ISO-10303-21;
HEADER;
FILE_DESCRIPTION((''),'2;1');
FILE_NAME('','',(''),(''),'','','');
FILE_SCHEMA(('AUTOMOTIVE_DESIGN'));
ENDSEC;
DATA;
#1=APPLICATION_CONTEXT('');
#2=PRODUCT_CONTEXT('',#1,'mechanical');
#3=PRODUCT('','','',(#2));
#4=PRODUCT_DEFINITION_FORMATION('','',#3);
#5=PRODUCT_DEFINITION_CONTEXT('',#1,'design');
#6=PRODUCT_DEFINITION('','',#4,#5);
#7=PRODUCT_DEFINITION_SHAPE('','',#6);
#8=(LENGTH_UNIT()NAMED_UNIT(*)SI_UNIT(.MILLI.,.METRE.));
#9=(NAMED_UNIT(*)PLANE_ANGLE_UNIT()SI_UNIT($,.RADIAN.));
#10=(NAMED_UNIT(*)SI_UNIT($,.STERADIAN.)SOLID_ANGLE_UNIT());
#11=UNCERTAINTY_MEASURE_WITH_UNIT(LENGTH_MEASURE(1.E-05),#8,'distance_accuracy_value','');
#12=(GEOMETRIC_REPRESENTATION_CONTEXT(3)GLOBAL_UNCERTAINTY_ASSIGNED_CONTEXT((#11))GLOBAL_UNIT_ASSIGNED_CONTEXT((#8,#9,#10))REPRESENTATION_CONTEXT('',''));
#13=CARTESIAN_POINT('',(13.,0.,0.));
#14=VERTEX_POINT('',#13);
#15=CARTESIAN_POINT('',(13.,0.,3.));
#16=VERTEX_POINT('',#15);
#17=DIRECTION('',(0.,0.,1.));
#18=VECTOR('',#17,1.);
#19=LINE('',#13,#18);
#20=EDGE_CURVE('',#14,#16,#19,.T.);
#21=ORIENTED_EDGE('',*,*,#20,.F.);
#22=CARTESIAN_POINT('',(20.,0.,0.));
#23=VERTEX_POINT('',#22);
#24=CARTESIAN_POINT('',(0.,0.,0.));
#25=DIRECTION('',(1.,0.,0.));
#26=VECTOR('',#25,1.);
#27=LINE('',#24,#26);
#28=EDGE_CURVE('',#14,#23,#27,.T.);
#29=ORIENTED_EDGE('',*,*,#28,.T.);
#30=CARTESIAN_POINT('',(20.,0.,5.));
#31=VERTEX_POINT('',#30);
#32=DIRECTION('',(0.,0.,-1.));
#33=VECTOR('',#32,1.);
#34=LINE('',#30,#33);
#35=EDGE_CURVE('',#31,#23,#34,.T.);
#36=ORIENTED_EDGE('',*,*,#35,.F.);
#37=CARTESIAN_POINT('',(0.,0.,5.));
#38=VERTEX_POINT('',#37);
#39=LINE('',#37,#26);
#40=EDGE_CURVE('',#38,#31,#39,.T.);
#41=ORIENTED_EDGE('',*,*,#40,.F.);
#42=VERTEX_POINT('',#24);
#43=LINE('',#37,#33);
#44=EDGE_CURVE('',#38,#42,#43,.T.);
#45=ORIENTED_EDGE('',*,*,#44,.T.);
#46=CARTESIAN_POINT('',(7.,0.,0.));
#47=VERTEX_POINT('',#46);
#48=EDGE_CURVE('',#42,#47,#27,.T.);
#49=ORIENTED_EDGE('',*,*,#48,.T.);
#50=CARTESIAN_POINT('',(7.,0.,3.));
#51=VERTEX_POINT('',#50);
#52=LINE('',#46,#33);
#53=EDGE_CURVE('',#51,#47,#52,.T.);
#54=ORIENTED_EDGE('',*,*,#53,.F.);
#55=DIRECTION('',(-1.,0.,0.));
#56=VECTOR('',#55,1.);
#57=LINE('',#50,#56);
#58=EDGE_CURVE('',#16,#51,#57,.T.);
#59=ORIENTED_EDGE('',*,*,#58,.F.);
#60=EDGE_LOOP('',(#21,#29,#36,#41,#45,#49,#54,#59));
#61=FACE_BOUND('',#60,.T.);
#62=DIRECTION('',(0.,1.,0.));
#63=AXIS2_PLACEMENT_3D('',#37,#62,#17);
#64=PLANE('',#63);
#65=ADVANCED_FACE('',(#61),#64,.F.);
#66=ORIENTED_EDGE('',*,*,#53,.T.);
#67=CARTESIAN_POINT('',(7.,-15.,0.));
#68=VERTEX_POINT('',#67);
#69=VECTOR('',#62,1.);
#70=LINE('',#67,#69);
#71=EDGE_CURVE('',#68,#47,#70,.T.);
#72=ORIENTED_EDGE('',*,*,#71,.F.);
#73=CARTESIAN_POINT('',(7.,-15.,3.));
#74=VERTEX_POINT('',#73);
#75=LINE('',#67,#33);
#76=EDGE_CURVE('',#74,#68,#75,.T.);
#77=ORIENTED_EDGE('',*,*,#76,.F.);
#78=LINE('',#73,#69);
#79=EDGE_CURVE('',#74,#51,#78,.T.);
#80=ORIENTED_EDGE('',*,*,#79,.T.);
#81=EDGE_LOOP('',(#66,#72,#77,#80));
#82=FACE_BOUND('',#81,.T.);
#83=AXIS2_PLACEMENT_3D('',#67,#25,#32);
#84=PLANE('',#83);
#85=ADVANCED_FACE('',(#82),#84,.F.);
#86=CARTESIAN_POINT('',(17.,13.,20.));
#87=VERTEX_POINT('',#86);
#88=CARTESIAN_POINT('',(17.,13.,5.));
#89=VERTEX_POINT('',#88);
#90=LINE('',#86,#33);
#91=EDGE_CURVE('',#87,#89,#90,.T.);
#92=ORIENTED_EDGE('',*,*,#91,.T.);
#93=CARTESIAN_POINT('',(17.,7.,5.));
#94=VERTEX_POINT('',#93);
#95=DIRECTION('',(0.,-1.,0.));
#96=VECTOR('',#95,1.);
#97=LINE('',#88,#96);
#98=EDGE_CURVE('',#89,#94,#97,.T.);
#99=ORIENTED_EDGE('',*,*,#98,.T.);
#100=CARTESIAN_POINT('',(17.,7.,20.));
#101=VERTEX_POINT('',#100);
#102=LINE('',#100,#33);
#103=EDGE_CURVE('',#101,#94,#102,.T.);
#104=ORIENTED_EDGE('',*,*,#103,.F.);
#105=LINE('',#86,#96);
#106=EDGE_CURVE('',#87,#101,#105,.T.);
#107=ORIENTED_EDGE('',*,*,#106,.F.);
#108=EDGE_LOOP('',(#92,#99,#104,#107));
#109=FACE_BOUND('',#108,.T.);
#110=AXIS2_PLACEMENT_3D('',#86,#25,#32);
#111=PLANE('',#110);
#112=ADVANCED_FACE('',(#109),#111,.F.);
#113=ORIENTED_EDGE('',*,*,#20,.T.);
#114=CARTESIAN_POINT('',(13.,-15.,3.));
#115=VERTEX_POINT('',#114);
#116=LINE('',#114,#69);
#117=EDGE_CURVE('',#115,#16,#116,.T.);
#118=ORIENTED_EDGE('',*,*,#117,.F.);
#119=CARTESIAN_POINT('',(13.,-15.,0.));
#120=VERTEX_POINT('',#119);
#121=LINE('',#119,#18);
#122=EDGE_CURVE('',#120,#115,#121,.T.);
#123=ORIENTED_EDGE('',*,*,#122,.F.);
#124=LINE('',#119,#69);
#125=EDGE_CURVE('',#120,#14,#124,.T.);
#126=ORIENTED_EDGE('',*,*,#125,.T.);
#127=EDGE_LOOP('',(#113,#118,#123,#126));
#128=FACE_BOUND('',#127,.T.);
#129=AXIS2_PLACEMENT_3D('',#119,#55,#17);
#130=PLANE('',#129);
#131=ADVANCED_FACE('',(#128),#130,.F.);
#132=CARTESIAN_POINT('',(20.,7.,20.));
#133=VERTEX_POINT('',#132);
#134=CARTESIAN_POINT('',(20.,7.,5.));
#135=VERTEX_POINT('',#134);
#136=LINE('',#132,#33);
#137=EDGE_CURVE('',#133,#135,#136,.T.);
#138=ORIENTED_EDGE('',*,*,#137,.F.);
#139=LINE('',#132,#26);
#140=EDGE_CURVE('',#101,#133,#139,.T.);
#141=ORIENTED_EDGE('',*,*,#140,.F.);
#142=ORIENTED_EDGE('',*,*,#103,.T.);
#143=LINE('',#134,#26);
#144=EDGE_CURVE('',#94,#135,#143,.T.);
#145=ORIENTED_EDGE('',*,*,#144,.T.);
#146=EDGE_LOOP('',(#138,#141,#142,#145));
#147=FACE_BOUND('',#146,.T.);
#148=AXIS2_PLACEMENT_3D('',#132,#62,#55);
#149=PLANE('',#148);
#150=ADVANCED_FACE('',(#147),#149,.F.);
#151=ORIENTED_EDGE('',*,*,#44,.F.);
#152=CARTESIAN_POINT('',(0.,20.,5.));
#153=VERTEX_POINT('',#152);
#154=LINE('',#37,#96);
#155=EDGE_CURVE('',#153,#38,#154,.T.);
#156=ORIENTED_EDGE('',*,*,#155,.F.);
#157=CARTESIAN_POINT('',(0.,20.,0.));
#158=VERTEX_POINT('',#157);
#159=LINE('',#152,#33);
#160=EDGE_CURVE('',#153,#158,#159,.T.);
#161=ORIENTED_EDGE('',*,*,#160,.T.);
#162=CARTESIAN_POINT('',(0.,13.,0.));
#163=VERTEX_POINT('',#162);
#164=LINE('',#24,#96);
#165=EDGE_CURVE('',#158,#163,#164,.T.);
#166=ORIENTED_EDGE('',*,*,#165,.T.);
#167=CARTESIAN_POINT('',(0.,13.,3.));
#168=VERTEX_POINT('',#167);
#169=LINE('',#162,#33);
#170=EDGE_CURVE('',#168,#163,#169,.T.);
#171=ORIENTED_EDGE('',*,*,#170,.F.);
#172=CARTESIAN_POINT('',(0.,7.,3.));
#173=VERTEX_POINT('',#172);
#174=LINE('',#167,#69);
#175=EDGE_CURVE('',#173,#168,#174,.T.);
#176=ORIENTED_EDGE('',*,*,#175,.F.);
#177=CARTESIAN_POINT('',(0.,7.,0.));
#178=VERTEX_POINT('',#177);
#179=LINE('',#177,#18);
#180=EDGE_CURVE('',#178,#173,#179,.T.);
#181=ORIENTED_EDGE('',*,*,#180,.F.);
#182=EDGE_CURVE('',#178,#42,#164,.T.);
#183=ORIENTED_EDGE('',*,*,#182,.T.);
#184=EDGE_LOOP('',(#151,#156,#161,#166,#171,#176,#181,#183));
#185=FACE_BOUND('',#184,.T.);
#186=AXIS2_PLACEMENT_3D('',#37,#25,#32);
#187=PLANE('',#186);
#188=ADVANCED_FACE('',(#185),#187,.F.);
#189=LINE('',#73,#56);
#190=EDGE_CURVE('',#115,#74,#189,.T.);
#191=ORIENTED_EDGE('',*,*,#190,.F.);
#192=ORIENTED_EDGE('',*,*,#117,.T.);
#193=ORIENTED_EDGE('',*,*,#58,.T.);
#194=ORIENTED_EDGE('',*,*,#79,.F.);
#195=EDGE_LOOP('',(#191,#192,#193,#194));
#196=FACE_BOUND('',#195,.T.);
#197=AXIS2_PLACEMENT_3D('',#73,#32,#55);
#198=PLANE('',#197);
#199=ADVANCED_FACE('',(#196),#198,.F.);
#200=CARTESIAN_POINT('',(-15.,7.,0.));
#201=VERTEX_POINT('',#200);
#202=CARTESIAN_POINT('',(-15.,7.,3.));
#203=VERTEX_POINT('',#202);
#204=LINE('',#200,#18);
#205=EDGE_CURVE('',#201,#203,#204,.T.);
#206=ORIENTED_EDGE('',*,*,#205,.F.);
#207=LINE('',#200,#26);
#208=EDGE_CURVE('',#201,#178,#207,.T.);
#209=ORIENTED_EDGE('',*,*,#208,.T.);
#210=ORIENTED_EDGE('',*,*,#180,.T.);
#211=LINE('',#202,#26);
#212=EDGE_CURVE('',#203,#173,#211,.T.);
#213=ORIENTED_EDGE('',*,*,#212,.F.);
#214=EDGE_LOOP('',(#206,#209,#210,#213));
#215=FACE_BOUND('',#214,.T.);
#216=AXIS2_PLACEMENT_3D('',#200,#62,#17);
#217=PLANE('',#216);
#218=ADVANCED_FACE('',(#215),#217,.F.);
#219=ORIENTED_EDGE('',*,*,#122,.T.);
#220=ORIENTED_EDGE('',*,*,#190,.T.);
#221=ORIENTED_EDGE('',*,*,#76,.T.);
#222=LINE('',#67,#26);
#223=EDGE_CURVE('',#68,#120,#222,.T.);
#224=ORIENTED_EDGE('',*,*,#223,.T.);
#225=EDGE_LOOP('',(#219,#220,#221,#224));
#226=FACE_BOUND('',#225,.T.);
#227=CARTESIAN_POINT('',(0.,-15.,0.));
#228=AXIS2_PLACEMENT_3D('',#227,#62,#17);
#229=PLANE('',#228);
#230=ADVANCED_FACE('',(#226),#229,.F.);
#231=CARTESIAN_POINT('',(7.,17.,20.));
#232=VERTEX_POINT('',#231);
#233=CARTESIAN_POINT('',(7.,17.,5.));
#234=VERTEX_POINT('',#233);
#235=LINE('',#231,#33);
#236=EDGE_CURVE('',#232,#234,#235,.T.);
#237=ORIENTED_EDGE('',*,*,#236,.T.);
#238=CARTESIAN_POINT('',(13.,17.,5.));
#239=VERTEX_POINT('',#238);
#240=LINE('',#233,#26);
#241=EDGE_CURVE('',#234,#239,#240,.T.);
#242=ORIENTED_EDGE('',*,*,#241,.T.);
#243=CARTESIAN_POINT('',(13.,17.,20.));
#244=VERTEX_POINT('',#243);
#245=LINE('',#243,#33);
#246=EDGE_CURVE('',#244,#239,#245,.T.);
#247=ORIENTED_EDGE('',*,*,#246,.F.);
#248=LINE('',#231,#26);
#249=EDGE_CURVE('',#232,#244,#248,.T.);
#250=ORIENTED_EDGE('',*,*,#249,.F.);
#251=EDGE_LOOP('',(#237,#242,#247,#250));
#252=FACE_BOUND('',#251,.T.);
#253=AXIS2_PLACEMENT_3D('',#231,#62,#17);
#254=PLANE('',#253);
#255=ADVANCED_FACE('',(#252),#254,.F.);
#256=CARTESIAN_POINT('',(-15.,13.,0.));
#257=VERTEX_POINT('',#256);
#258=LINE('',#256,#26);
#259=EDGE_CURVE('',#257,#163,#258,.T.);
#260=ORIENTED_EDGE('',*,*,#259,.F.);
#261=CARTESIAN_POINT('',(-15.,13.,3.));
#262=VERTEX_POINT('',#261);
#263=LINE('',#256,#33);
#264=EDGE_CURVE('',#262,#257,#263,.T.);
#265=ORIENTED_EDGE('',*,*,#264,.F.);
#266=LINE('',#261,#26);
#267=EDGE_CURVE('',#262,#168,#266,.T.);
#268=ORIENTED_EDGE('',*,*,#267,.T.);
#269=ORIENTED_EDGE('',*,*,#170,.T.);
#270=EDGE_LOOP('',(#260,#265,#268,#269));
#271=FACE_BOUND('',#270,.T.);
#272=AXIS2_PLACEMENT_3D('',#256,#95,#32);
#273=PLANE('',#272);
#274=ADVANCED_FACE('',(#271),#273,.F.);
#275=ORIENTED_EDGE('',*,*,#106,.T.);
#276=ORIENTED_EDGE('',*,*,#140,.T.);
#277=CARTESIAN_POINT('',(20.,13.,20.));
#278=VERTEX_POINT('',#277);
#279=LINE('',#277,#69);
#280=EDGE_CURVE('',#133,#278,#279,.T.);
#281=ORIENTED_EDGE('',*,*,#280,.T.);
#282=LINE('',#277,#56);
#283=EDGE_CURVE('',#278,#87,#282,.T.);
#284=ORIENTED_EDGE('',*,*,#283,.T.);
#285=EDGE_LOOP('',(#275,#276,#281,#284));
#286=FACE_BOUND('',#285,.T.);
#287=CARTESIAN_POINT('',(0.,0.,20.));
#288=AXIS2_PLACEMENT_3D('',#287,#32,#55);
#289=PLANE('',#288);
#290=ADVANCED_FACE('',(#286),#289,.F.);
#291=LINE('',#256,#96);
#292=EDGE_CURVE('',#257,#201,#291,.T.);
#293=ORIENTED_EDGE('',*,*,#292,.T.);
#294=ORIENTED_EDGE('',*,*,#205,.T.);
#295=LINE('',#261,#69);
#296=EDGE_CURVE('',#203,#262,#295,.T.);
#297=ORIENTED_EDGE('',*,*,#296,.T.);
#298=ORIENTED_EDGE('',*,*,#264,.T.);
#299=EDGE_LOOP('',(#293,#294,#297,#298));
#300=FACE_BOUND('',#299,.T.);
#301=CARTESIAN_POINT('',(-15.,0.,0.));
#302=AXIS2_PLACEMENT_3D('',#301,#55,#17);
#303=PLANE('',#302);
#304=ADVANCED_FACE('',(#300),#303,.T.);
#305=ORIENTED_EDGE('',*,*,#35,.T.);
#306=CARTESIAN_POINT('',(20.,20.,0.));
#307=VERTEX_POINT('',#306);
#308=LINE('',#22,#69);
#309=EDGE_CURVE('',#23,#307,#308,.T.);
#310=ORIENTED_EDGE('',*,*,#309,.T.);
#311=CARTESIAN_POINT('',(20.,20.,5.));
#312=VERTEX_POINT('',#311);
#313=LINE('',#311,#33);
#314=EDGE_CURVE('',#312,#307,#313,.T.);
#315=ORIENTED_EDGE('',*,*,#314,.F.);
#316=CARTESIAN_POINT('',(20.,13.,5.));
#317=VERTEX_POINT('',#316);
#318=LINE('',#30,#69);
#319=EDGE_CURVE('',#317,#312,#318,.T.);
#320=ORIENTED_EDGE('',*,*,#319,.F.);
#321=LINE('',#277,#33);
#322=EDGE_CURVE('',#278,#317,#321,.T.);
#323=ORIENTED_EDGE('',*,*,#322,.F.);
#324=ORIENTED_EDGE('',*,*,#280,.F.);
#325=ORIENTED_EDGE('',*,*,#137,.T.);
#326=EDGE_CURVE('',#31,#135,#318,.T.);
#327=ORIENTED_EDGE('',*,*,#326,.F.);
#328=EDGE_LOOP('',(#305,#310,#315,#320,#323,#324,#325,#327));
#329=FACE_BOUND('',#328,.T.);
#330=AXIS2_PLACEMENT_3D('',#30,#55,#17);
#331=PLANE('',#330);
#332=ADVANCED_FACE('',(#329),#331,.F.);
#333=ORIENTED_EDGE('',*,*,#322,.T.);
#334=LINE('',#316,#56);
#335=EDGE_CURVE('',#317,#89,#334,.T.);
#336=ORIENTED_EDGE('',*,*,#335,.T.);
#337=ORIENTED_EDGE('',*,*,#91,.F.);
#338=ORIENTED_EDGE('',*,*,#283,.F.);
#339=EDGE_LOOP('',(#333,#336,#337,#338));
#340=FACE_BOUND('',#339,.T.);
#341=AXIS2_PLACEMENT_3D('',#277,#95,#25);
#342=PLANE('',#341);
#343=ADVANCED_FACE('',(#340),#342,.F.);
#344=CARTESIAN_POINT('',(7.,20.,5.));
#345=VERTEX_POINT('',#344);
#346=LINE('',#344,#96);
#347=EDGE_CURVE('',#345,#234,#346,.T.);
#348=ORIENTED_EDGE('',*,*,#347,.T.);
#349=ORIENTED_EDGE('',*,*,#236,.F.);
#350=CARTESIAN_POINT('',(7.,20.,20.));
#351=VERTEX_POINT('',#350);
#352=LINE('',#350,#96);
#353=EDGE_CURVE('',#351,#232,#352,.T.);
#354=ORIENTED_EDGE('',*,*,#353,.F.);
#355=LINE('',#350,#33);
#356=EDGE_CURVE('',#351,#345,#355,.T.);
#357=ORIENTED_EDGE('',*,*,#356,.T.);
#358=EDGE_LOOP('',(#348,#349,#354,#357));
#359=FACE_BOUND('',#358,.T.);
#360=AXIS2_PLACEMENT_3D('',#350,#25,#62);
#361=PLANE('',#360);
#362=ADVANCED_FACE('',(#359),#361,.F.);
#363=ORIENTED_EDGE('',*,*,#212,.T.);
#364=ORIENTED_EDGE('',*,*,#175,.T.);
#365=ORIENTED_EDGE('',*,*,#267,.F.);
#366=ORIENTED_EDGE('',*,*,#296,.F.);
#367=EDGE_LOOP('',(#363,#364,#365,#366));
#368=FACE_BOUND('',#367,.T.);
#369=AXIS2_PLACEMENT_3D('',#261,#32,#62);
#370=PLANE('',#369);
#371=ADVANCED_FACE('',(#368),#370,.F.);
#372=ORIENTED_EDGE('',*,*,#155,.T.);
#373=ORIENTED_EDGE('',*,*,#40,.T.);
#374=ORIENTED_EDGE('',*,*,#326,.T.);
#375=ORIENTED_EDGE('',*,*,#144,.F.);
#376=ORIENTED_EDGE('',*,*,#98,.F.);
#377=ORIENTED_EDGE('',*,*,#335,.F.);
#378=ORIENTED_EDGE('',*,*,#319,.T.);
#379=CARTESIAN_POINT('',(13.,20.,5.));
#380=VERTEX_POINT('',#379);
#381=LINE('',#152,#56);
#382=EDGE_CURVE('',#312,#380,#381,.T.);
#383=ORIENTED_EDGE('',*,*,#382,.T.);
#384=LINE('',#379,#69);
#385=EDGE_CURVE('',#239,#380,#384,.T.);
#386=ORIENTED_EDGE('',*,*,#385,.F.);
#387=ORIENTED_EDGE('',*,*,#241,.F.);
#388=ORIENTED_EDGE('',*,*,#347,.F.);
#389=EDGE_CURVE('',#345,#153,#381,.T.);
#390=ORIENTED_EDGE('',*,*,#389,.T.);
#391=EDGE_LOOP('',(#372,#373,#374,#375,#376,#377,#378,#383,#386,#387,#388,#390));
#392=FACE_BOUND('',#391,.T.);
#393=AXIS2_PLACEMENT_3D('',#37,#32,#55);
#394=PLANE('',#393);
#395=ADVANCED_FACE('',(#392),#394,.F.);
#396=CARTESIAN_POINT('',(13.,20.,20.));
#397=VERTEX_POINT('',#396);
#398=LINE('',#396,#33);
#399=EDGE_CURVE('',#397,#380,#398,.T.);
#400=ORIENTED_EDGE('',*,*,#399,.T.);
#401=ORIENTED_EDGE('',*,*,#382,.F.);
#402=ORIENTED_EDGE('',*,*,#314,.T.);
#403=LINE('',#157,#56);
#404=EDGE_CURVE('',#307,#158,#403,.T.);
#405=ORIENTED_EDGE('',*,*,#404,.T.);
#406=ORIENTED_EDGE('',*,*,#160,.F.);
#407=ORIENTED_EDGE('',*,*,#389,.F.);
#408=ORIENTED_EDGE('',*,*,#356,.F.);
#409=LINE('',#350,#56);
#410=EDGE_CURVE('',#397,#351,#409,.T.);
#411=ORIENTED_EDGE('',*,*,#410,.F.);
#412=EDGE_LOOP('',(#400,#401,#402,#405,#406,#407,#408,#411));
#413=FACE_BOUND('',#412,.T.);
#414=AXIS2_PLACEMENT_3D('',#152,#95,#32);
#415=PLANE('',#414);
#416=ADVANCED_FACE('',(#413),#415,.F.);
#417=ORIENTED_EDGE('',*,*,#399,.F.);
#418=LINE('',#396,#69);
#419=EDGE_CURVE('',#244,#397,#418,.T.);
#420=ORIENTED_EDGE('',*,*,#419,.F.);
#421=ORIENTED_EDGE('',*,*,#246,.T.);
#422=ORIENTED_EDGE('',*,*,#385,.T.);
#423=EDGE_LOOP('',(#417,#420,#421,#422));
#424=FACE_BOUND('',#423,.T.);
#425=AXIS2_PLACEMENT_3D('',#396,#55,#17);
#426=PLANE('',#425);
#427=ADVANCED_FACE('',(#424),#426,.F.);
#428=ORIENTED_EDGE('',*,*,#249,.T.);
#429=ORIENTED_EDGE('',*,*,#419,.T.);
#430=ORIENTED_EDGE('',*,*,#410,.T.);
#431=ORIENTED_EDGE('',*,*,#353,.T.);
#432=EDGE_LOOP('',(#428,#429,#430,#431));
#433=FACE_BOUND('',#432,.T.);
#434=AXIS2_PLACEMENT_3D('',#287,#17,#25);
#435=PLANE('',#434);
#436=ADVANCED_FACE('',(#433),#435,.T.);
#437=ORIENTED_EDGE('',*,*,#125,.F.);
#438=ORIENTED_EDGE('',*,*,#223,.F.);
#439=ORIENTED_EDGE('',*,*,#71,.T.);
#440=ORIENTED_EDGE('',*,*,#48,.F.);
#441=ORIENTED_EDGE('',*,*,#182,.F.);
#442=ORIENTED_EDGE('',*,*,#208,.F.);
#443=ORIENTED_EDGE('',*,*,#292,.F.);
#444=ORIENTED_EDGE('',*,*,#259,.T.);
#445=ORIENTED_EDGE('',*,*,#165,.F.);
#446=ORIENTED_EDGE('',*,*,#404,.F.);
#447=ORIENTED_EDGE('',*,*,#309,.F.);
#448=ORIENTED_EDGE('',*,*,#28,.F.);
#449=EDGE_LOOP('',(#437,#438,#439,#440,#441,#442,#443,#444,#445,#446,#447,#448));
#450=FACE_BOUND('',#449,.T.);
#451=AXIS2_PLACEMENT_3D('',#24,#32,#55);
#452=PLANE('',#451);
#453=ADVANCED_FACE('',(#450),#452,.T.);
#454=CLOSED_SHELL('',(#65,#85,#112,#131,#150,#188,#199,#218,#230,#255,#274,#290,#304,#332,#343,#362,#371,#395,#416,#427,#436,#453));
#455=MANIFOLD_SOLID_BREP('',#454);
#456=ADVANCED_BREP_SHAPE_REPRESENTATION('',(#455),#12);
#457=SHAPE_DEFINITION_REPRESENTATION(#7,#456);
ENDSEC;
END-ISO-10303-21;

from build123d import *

# Parameters (mm, degrees)
SKETCH_1_W      = 20
SKETCH_1_H      = 20
EXTRUDE_1_DEPTH = 5
SKETCH_2_W      = 6
SKETCH_2_H      = 3
SKETCH_2_W_2    = 3
SKETCH_2_H_2    = 6
EXTRUDE_2_DEPTH = 15
SKETCH_3_W      = 6
SKETCH_3_H      = 3
EXTRUDE_3_DEPTH = 15
SKETCH_4_W      = 3
SKETCH_4_H      = 6
EXTRUDE_4_DEPTH = 15


with BuildPart() as part:
    # Эскиз1 → Бобышка-Вытянуть1 (new body)
    with BuildSketch(Plane.XY):
        with Locations((10, 10)):
            Rectangle(SKETCH_1_W, SKETCH_1_H)
    extrude(amount=EXTRUDE_1_DEPTH)

    # Эскиз2 → Бобышка-Вытянуть2 (add)
    with BuildSketch(Plane.XY.offset(5)):
        with Locations((10, 18.5)):
            Rectangle(SKETCH_2_W, SKETCH_2_H)
        with Locations((18.5, 10)):
            Rectangle(SKETCH_2_W_2, SKETCH_2_H_2)
    extrude(amount=EXTRUDE_2_DEPTH)

    # Эскиз3 → Бобышка-Вытянуть3 (add)
    with BuildSketch(Plane.XZ):
        with Locations((10, 1.5)):
            Rectangle(SKETCH_3_W, SKETCH_3_H)
    extrude(amount=EXTRUDE_3_DEPTH)

    # Эскиз4 → Бобышка-Вытянуть4 (add)
    with BuildSketch(Plane.ZY):
        with Locations((1.5, 10)):
            Rectangle(SKETCH_4_W, SKETCH_4_H)
    extrude(amount=EXTRUDE_4_DEPTH)


solid = part.part
